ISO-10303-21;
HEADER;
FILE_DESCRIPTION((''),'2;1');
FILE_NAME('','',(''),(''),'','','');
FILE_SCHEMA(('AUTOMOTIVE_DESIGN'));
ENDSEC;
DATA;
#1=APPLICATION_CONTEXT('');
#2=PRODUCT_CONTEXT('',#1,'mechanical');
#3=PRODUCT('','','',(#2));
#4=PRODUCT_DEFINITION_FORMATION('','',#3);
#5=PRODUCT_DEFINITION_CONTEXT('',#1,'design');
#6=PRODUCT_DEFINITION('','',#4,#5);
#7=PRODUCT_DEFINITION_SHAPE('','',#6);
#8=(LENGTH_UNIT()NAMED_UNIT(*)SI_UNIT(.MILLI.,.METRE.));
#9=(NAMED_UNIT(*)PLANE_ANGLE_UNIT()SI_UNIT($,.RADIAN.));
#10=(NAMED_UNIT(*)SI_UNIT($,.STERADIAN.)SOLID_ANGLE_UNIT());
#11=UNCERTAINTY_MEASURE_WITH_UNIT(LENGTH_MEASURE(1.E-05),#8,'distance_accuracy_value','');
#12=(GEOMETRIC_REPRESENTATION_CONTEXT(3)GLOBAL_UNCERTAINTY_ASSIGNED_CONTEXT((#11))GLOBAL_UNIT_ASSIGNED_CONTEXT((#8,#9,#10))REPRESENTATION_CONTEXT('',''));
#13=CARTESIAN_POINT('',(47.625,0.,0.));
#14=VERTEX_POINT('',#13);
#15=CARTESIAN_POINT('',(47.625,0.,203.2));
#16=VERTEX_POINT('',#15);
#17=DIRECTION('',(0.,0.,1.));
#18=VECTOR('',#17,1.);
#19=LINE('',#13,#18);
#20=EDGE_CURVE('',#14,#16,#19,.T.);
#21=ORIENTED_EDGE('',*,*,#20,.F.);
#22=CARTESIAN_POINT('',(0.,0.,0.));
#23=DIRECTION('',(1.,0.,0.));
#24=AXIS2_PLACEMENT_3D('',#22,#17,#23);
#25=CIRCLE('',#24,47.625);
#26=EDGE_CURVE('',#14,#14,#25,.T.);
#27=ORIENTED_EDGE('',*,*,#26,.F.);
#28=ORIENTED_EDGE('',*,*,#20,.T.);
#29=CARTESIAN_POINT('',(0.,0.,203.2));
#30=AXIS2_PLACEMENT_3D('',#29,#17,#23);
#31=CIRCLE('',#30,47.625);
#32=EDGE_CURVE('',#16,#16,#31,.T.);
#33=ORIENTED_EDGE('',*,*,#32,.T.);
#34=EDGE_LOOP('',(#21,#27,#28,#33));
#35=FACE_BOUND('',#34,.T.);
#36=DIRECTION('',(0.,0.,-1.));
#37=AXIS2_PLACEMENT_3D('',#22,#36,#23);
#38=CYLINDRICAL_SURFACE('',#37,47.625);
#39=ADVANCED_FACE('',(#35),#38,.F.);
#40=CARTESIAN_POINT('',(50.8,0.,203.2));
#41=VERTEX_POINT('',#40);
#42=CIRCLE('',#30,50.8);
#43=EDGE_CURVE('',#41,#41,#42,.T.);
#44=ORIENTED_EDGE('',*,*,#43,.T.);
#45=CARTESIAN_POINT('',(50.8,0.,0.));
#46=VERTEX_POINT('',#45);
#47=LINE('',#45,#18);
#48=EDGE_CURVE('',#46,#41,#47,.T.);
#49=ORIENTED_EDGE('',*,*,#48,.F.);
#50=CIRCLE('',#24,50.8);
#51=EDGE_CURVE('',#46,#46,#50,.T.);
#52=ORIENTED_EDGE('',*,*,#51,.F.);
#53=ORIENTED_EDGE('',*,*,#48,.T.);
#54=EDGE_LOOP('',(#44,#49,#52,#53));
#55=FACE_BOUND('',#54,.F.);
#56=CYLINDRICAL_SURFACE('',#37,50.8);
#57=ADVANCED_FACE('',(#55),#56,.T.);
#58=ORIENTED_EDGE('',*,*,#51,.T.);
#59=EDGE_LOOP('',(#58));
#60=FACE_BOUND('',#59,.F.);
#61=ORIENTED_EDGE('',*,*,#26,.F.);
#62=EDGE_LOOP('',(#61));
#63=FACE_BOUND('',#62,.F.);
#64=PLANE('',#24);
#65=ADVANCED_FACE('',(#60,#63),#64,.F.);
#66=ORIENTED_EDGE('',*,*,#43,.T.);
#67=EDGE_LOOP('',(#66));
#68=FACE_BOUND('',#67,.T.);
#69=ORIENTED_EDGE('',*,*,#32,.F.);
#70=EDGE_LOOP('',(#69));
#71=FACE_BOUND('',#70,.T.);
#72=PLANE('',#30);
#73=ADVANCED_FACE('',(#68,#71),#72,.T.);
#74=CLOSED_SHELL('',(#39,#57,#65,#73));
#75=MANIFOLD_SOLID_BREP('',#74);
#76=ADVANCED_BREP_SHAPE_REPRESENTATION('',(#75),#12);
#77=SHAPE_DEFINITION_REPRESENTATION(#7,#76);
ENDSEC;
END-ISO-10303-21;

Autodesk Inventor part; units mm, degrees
ref_plane "YZ Plane" through (0, 0, 0) normal (1, 0, 0) x (0, 1, 0)
ref_plane "XZ Plane" through (0, 0, 0) normal (0, 1, 0) x (-1, 0, 0)
ref_plane "XY Plane" through (0, 0, 0) normal (0, 0, 1) x (1, 0, 0)
sketch "Sketch1" plane through (0, 0, 0) normal (0, 0, 1) x (1, 0, 0)
  circle A0 centre (0, 0) radius 50.8
  circle A1 centre (0, 0) radius 47.625
  dimension "d0" = 101.6
  dimension "d1" = 95.25
extrude "Extrusion1" add sketch "Sketch1" along normal blind 203.2
properties part number "aftSection" material "Polycarbonate, Clear"
